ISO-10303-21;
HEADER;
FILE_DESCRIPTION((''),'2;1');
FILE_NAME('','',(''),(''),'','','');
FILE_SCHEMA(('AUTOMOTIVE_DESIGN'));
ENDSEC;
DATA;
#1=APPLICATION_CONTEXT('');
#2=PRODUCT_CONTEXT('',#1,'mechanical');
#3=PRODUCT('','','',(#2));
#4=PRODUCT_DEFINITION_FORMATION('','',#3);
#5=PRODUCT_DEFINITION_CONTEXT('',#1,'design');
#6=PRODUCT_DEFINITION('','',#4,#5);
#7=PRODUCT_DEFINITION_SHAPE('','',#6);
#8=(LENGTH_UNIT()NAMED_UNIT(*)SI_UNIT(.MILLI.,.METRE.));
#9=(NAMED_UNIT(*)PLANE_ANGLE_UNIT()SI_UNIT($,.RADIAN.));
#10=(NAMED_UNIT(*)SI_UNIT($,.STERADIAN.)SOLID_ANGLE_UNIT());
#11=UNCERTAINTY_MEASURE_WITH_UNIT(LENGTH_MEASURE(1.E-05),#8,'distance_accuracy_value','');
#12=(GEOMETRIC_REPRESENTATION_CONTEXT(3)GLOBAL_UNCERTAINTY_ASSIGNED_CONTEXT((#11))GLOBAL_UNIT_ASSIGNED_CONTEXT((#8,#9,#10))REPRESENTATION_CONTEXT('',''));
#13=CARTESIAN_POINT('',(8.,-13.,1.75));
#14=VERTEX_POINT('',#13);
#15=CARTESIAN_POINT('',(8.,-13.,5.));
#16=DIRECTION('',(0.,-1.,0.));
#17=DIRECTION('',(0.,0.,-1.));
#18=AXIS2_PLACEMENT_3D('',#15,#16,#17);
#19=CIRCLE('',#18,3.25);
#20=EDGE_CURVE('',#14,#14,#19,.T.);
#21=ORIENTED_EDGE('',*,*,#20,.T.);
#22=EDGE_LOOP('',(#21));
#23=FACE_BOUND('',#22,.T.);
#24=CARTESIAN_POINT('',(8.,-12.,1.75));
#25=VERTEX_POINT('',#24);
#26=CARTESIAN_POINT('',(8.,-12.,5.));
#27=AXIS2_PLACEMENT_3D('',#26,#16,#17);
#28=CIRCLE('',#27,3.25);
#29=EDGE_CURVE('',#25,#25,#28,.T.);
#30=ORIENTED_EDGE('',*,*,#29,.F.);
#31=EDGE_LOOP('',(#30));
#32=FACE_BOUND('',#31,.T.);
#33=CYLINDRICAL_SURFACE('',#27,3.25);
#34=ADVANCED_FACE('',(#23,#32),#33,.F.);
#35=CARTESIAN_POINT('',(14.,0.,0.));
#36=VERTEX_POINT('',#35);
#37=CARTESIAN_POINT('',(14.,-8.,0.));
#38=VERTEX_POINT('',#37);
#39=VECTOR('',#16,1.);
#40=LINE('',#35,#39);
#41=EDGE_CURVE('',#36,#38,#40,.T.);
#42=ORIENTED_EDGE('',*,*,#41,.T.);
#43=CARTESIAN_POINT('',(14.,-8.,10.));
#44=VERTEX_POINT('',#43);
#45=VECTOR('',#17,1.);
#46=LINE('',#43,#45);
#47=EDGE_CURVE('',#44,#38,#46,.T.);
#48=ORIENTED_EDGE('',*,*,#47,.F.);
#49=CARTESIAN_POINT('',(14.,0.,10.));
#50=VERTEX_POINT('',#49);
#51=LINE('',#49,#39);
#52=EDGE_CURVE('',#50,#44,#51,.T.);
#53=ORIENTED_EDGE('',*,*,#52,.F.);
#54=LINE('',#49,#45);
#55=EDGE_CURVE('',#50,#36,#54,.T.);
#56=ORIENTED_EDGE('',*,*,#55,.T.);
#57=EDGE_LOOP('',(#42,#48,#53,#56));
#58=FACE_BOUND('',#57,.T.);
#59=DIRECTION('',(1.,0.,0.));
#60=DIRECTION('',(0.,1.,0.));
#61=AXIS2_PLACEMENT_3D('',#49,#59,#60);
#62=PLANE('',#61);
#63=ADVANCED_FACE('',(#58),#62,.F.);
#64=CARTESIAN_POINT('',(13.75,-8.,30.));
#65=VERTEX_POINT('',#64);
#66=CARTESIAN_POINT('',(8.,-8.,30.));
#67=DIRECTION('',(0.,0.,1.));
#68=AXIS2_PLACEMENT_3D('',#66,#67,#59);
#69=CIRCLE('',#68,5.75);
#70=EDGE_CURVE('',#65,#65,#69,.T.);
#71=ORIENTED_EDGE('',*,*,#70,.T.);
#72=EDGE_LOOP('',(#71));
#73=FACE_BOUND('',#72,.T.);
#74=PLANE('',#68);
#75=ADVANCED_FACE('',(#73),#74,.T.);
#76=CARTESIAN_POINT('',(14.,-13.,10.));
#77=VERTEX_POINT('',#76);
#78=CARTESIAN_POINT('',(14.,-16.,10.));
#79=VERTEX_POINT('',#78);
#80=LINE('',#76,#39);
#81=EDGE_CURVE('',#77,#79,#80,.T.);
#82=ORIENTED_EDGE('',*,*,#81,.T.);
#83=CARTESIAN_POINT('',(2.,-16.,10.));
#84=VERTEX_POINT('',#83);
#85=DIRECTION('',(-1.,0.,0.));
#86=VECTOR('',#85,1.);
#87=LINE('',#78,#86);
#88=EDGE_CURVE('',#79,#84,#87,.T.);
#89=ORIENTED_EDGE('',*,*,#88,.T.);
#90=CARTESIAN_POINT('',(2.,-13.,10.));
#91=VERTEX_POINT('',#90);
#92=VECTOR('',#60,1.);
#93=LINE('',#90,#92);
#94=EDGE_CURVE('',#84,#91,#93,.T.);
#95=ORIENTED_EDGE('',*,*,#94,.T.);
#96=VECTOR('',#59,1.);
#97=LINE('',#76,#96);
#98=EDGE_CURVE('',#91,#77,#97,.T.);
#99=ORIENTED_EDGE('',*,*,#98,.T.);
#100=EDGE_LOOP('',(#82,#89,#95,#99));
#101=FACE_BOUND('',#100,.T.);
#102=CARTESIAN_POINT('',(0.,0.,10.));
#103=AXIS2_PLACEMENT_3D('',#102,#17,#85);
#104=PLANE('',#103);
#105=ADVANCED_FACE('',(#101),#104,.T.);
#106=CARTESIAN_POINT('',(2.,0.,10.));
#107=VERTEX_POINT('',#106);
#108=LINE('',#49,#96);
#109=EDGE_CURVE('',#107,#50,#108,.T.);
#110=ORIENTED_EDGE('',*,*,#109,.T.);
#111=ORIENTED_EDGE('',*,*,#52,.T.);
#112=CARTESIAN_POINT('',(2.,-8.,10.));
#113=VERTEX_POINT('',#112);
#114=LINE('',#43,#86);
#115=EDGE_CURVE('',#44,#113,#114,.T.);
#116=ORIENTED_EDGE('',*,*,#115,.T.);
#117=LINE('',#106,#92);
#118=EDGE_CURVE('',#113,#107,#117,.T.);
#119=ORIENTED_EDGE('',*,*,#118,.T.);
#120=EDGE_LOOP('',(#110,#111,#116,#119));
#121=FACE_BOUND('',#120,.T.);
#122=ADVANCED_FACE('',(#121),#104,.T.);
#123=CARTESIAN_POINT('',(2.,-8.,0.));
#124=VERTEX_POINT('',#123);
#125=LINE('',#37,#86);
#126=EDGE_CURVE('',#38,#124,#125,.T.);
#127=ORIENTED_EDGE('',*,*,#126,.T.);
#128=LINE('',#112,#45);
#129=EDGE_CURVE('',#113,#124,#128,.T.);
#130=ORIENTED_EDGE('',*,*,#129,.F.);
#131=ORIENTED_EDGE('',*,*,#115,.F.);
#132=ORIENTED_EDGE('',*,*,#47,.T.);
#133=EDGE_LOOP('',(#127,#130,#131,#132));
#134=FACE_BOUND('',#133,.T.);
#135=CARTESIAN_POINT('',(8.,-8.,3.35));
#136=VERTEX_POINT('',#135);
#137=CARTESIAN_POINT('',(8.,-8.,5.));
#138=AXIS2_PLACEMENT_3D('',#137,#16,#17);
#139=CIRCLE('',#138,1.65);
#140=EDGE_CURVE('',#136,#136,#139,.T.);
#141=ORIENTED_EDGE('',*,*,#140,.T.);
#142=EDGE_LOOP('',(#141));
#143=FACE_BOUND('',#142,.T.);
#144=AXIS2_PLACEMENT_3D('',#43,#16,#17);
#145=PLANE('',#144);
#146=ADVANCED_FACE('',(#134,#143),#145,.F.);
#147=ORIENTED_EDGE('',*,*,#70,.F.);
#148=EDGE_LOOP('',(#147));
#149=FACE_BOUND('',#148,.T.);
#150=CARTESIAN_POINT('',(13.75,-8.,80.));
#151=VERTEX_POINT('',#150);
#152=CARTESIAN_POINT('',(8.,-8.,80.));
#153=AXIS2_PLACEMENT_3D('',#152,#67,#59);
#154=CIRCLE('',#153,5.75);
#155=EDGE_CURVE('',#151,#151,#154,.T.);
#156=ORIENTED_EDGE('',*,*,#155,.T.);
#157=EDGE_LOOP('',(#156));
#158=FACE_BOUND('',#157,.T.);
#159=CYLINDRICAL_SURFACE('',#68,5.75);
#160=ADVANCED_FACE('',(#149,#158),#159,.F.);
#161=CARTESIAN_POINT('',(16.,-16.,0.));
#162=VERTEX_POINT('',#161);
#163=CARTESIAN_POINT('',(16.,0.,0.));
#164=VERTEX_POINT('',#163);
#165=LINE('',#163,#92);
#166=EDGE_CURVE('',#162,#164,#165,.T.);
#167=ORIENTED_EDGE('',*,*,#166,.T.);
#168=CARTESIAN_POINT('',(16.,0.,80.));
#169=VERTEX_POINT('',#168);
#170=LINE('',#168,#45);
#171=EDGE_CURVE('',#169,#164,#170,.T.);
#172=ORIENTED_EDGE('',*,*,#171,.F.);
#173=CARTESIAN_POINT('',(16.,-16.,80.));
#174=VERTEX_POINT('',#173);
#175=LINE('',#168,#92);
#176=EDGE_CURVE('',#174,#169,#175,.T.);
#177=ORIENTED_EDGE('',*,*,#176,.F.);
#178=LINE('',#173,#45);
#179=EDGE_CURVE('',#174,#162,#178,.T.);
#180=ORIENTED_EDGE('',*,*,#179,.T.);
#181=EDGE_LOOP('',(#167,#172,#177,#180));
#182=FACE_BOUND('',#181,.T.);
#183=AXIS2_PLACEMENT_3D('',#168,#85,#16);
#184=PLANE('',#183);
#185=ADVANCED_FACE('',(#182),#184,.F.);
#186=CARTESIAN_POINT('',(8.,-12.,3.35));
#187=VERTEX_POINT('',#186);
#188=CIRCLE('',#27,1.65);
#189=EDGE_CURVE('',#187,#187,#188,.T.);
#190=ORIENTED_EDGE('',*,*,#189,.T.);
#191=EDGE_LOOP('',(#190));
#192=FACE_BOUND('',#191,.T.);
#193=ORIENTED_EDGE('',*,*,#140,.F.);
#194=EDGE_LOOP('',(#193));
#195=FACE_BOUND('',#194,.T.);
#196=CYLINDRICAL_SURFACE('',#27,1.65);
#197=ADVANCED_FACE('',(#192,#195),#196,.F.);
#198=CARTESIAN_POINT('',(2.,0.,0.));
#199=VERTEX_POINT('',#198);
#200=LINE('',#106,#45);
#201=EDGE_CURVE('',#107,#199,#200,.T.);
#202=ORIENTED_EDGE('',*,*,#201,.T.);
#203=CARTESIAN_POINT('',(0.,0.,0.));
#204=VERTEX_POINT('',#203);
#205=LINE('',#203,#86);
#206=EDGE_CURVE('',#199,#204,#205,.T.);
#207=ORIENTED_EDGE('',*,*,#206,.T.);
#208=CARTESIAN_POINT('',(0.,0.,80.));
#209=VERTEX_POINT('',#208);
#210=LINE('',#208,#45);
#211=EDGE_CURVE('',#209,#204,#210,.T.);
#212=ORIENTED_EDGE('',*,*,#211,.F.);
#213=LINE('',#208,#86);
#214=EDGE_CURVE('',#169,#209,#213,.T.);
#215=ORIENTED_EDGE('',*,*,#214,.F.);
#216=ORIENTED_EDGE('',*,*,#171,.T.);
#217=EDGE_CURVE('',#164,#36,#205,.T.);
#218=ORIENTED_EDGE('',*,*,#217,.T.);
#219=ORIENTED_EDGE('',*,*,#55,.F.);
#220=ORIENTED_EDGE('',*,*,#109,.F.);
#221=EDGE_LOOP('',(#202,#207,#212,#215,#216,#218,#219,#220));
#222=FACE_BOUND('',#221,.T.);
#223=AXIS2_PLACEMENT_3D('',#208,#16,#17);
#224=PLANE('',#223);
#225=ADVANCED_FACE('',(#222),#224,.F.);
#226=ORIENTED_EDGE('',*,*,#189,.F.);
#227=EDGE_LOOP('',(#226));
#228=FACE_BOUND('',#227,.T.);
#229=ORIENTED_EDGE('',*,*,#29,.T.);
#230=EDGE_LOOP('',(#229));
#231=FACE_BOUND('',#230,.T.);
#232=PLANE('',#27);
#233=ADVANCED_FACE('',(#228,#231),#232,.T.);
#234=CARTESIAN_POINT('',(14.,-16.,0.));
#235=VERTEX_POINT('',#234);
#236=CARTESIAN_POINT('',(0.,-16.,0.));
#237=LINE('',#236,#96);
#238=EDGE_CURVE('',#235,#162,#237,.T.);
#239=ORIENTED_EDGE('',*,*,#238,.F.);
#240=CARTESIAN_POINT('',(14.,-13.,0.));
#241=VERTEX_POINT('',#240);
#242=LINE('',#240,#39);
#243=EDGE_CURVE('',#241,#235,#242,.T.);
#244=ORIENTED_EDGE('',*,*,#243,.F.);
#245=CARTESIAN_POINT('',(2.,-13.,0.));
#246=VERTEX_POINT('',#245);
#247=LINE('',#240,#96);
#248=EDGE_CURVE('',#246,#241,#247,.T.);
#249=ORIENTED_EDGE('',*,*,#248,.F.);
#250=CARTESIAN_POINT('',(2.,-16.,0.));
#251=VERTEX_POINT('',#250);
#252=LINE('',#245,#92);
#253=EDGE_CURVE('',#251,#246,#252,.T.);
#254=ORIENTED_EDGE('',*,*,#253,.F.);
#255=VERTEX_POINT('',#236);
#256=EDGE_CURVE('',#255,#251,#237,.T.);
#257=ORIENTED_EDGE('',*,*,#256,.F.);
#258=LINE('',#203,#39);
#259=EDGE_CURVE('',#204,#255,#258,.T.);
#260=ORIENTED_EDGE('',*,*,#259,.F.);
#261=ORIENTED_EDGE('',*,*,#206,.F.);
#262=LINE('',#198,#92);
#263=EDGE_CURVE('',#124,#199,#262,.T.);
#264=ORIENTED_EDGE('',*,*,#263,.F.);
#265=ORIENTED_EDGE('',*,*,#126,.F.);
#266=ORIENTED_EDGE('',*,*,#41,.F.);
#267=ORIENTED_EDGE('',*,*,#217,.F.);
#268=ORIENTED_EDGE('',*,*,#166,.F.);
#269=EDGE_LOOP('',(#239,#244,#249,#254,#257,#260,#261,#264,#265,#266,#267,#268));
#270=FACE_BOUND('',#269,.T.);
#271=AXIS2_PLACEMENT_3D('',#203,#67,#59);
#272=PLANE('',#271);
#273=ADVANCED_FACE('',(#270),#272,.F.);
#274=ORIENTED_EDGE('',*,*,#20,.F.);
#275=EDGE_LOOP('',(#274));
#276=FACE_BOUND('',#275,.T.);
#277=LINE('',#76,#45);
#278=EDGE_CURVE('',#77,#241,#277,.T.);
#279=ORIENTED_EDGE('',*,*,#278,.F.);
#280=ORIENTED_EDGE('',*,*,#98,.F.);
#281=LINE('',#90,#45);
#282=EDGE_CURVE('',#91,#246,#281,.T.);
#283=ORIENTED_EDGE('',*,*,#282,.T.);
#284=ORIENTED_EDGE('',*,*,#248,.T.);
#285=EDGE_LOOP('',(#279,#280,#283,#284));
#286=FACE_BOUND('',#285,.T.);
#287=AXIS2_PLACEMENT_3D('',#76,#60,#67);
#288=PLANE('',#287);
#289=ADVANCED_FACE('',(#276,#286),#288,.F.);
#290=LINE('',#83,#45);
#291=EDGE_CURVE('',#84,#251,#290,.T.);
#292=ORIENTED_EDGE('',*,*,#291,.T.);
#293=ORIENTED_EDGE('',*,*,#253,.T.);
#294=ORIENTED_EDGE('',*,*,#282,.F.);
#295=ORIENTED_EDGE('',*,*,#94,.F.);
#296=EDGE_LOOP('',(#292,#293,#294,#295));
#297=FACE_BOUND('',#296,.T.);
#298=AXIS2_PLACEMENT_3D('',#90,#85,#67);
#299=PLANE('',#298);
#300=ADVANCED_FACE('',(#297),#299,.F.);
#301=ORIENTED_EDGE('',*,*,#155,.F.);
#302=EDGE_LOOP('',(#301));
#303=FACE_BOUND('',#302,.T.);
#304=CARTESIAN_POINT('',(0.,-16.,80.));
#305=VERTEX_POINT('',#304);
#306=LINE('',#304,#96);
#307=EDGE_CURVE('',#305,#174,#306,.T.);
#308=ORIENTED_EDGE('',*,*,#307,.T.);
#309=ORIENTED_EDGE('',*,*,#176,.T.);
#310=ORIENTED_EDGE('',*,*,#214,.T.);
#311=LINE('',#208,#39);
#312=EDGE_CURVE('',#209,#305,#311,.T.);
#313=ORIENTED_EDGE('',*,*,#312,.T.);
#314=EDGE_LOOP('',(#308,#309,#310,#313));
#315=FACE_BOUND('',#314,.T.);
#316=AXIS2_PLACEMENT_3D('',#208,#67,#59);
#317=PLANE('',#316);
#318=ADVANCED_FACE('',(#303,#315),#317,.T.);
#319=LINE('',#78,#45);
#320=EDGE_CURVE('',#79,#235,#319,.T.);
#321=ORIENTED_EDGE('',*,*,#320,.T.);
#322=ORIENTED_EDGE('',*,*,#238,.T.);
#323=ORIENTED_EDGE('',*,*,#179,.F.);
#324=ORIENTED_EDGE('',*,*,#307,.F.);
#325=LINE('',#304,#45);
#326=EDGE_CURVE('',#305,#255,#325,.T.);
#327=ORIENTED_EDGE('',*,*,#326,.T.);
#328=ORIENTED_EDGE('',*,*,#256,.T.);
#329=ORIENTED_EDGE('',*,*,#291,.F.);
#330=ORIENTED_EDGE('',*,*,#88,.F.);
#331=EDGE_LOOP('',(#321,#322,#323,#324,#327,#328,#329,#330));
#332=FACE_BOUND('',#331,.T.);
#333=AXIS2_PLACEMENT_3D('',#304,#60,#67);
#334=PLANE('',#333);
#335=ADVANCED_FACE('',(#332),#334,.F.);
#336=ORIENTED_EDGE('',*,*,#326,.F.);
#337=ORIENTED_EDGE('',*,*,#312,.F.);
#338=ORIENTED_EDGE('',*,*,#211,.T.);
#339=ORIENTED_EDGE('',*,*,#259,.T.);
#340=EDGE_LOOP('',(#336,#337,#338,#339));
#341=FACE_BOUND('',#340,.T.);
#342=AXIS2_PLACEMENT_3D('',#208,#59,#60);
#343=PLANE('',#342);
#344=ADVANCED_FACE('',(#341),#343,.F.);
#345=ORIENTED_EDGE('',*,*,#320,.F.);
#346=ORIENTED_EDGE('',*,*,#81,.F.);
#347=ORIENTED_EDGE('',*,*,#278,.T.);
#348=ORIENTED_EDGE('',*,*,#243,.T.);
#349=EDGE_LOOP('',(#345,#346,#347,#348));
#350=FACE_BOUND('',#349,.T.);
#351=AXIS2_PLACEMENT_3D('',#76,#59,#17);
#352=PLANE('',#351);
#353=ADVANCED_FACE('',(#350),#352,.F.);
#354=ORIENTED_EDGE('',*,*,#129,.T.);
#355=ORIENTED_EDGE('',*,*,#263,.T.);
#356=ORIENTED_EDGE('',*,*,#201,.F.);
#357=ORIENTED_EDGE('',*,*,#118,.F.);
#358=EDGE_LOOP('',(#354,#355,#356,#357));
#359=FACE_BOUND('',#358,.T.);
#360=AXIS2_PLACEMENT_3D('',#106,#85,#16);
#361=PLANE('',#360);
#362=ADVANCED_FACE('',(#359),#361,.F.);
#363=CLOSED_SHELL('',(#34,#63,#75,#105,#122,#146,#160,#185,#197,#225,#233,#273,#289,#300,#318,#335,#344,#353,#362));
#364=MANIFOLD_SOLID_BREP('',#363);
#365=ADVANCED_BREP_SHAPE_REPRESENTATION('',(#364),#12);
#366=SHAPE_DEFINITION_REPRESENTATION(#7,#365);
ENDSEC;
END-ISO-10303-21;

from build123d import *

# Parameters (mm, degrees)
SKETCH_1_W             = 16
SKETCH_1_H             = 16
EXTRUDE_1_DEPTH        = 80
SKETCH_2_R             = 5.75
CUT_EXTRUDE_1_DEPTH    = 50
SKETCH_10_W            = 12
SKETCH_10_H            = 8
SKETCH_10_H_2          = 3
CUT_EXTRUDE_2_DEPTH    = 10
SKETCH_11_R            = 3.25
CUT_EXTRUDE_5_DEPTH    = 1
HOLE_WIZARD_M4_1_D     = 3.3
HOLE_WIZARD_M4_1_DEPTH = 4


with BuildPart() as part:
    # 草图1 → 凸台-拉伸1 (new body)
    with BuildSketch(Plane.XY):
        with Locations((8, -8)):
            Rectangle(SKETCH_1_W, SKETCH_1_H)
    extrude(amount=EXTRUDE_1_DEPTH)

    # 草图2 → 切除-拉伸1 (cut)
    with BuildSketch(Plane.XY.offset(80)):
        with Locations((8, -8)):
            Circle(SKETCH_2_R)
    extrude(amount=-CUT_EXTRUDE_1_DEPTH, mode=Mode.SUBTRACT)

    # 草图10 → 切除-拉伸2 (cut)
    with BuildSketch(Plane(origin=(0, 0, 0), x_dir=(-1, 0, 0), z_dir=(0, 0, -1))):
        with Locations((-8, -4)):
            Rectangle(SKETCH_10_W, SKETCH_10_H)
        with Locations((-8, -14.5)):
            Rectangle(SKETCH_10_W, SKETCH_10_H_2)
    extrude(amount=-CUT_EXTRUDE_2_DEPTH, mode=Mode.SUBTRACT)

    # 草图11 → 切除-拉伸5 (cut)
    with BuildSketch(Plane.XZ.offset(13)):
        with Locations((8, 5)):
            Circle(SKETCH_11_R)
    extrude(amount=-CUT_EXTRUDE_5_DEPTH, mode=Mode.SUBTRACT)

    # M4 螺纹孔的螺纹孔钻头1
    with Locations(Plane(origin=(0, -12, 0), x_dir=(-1, 0, 0), z_dir=(0, -1, 0))):
        with Locations((-8, -5)):
            Hole(HOLE_WIZARD_M4_1_D / 2, depth=HOLE_WIZARD_M4_1_DEPTH)


solid = part.part
